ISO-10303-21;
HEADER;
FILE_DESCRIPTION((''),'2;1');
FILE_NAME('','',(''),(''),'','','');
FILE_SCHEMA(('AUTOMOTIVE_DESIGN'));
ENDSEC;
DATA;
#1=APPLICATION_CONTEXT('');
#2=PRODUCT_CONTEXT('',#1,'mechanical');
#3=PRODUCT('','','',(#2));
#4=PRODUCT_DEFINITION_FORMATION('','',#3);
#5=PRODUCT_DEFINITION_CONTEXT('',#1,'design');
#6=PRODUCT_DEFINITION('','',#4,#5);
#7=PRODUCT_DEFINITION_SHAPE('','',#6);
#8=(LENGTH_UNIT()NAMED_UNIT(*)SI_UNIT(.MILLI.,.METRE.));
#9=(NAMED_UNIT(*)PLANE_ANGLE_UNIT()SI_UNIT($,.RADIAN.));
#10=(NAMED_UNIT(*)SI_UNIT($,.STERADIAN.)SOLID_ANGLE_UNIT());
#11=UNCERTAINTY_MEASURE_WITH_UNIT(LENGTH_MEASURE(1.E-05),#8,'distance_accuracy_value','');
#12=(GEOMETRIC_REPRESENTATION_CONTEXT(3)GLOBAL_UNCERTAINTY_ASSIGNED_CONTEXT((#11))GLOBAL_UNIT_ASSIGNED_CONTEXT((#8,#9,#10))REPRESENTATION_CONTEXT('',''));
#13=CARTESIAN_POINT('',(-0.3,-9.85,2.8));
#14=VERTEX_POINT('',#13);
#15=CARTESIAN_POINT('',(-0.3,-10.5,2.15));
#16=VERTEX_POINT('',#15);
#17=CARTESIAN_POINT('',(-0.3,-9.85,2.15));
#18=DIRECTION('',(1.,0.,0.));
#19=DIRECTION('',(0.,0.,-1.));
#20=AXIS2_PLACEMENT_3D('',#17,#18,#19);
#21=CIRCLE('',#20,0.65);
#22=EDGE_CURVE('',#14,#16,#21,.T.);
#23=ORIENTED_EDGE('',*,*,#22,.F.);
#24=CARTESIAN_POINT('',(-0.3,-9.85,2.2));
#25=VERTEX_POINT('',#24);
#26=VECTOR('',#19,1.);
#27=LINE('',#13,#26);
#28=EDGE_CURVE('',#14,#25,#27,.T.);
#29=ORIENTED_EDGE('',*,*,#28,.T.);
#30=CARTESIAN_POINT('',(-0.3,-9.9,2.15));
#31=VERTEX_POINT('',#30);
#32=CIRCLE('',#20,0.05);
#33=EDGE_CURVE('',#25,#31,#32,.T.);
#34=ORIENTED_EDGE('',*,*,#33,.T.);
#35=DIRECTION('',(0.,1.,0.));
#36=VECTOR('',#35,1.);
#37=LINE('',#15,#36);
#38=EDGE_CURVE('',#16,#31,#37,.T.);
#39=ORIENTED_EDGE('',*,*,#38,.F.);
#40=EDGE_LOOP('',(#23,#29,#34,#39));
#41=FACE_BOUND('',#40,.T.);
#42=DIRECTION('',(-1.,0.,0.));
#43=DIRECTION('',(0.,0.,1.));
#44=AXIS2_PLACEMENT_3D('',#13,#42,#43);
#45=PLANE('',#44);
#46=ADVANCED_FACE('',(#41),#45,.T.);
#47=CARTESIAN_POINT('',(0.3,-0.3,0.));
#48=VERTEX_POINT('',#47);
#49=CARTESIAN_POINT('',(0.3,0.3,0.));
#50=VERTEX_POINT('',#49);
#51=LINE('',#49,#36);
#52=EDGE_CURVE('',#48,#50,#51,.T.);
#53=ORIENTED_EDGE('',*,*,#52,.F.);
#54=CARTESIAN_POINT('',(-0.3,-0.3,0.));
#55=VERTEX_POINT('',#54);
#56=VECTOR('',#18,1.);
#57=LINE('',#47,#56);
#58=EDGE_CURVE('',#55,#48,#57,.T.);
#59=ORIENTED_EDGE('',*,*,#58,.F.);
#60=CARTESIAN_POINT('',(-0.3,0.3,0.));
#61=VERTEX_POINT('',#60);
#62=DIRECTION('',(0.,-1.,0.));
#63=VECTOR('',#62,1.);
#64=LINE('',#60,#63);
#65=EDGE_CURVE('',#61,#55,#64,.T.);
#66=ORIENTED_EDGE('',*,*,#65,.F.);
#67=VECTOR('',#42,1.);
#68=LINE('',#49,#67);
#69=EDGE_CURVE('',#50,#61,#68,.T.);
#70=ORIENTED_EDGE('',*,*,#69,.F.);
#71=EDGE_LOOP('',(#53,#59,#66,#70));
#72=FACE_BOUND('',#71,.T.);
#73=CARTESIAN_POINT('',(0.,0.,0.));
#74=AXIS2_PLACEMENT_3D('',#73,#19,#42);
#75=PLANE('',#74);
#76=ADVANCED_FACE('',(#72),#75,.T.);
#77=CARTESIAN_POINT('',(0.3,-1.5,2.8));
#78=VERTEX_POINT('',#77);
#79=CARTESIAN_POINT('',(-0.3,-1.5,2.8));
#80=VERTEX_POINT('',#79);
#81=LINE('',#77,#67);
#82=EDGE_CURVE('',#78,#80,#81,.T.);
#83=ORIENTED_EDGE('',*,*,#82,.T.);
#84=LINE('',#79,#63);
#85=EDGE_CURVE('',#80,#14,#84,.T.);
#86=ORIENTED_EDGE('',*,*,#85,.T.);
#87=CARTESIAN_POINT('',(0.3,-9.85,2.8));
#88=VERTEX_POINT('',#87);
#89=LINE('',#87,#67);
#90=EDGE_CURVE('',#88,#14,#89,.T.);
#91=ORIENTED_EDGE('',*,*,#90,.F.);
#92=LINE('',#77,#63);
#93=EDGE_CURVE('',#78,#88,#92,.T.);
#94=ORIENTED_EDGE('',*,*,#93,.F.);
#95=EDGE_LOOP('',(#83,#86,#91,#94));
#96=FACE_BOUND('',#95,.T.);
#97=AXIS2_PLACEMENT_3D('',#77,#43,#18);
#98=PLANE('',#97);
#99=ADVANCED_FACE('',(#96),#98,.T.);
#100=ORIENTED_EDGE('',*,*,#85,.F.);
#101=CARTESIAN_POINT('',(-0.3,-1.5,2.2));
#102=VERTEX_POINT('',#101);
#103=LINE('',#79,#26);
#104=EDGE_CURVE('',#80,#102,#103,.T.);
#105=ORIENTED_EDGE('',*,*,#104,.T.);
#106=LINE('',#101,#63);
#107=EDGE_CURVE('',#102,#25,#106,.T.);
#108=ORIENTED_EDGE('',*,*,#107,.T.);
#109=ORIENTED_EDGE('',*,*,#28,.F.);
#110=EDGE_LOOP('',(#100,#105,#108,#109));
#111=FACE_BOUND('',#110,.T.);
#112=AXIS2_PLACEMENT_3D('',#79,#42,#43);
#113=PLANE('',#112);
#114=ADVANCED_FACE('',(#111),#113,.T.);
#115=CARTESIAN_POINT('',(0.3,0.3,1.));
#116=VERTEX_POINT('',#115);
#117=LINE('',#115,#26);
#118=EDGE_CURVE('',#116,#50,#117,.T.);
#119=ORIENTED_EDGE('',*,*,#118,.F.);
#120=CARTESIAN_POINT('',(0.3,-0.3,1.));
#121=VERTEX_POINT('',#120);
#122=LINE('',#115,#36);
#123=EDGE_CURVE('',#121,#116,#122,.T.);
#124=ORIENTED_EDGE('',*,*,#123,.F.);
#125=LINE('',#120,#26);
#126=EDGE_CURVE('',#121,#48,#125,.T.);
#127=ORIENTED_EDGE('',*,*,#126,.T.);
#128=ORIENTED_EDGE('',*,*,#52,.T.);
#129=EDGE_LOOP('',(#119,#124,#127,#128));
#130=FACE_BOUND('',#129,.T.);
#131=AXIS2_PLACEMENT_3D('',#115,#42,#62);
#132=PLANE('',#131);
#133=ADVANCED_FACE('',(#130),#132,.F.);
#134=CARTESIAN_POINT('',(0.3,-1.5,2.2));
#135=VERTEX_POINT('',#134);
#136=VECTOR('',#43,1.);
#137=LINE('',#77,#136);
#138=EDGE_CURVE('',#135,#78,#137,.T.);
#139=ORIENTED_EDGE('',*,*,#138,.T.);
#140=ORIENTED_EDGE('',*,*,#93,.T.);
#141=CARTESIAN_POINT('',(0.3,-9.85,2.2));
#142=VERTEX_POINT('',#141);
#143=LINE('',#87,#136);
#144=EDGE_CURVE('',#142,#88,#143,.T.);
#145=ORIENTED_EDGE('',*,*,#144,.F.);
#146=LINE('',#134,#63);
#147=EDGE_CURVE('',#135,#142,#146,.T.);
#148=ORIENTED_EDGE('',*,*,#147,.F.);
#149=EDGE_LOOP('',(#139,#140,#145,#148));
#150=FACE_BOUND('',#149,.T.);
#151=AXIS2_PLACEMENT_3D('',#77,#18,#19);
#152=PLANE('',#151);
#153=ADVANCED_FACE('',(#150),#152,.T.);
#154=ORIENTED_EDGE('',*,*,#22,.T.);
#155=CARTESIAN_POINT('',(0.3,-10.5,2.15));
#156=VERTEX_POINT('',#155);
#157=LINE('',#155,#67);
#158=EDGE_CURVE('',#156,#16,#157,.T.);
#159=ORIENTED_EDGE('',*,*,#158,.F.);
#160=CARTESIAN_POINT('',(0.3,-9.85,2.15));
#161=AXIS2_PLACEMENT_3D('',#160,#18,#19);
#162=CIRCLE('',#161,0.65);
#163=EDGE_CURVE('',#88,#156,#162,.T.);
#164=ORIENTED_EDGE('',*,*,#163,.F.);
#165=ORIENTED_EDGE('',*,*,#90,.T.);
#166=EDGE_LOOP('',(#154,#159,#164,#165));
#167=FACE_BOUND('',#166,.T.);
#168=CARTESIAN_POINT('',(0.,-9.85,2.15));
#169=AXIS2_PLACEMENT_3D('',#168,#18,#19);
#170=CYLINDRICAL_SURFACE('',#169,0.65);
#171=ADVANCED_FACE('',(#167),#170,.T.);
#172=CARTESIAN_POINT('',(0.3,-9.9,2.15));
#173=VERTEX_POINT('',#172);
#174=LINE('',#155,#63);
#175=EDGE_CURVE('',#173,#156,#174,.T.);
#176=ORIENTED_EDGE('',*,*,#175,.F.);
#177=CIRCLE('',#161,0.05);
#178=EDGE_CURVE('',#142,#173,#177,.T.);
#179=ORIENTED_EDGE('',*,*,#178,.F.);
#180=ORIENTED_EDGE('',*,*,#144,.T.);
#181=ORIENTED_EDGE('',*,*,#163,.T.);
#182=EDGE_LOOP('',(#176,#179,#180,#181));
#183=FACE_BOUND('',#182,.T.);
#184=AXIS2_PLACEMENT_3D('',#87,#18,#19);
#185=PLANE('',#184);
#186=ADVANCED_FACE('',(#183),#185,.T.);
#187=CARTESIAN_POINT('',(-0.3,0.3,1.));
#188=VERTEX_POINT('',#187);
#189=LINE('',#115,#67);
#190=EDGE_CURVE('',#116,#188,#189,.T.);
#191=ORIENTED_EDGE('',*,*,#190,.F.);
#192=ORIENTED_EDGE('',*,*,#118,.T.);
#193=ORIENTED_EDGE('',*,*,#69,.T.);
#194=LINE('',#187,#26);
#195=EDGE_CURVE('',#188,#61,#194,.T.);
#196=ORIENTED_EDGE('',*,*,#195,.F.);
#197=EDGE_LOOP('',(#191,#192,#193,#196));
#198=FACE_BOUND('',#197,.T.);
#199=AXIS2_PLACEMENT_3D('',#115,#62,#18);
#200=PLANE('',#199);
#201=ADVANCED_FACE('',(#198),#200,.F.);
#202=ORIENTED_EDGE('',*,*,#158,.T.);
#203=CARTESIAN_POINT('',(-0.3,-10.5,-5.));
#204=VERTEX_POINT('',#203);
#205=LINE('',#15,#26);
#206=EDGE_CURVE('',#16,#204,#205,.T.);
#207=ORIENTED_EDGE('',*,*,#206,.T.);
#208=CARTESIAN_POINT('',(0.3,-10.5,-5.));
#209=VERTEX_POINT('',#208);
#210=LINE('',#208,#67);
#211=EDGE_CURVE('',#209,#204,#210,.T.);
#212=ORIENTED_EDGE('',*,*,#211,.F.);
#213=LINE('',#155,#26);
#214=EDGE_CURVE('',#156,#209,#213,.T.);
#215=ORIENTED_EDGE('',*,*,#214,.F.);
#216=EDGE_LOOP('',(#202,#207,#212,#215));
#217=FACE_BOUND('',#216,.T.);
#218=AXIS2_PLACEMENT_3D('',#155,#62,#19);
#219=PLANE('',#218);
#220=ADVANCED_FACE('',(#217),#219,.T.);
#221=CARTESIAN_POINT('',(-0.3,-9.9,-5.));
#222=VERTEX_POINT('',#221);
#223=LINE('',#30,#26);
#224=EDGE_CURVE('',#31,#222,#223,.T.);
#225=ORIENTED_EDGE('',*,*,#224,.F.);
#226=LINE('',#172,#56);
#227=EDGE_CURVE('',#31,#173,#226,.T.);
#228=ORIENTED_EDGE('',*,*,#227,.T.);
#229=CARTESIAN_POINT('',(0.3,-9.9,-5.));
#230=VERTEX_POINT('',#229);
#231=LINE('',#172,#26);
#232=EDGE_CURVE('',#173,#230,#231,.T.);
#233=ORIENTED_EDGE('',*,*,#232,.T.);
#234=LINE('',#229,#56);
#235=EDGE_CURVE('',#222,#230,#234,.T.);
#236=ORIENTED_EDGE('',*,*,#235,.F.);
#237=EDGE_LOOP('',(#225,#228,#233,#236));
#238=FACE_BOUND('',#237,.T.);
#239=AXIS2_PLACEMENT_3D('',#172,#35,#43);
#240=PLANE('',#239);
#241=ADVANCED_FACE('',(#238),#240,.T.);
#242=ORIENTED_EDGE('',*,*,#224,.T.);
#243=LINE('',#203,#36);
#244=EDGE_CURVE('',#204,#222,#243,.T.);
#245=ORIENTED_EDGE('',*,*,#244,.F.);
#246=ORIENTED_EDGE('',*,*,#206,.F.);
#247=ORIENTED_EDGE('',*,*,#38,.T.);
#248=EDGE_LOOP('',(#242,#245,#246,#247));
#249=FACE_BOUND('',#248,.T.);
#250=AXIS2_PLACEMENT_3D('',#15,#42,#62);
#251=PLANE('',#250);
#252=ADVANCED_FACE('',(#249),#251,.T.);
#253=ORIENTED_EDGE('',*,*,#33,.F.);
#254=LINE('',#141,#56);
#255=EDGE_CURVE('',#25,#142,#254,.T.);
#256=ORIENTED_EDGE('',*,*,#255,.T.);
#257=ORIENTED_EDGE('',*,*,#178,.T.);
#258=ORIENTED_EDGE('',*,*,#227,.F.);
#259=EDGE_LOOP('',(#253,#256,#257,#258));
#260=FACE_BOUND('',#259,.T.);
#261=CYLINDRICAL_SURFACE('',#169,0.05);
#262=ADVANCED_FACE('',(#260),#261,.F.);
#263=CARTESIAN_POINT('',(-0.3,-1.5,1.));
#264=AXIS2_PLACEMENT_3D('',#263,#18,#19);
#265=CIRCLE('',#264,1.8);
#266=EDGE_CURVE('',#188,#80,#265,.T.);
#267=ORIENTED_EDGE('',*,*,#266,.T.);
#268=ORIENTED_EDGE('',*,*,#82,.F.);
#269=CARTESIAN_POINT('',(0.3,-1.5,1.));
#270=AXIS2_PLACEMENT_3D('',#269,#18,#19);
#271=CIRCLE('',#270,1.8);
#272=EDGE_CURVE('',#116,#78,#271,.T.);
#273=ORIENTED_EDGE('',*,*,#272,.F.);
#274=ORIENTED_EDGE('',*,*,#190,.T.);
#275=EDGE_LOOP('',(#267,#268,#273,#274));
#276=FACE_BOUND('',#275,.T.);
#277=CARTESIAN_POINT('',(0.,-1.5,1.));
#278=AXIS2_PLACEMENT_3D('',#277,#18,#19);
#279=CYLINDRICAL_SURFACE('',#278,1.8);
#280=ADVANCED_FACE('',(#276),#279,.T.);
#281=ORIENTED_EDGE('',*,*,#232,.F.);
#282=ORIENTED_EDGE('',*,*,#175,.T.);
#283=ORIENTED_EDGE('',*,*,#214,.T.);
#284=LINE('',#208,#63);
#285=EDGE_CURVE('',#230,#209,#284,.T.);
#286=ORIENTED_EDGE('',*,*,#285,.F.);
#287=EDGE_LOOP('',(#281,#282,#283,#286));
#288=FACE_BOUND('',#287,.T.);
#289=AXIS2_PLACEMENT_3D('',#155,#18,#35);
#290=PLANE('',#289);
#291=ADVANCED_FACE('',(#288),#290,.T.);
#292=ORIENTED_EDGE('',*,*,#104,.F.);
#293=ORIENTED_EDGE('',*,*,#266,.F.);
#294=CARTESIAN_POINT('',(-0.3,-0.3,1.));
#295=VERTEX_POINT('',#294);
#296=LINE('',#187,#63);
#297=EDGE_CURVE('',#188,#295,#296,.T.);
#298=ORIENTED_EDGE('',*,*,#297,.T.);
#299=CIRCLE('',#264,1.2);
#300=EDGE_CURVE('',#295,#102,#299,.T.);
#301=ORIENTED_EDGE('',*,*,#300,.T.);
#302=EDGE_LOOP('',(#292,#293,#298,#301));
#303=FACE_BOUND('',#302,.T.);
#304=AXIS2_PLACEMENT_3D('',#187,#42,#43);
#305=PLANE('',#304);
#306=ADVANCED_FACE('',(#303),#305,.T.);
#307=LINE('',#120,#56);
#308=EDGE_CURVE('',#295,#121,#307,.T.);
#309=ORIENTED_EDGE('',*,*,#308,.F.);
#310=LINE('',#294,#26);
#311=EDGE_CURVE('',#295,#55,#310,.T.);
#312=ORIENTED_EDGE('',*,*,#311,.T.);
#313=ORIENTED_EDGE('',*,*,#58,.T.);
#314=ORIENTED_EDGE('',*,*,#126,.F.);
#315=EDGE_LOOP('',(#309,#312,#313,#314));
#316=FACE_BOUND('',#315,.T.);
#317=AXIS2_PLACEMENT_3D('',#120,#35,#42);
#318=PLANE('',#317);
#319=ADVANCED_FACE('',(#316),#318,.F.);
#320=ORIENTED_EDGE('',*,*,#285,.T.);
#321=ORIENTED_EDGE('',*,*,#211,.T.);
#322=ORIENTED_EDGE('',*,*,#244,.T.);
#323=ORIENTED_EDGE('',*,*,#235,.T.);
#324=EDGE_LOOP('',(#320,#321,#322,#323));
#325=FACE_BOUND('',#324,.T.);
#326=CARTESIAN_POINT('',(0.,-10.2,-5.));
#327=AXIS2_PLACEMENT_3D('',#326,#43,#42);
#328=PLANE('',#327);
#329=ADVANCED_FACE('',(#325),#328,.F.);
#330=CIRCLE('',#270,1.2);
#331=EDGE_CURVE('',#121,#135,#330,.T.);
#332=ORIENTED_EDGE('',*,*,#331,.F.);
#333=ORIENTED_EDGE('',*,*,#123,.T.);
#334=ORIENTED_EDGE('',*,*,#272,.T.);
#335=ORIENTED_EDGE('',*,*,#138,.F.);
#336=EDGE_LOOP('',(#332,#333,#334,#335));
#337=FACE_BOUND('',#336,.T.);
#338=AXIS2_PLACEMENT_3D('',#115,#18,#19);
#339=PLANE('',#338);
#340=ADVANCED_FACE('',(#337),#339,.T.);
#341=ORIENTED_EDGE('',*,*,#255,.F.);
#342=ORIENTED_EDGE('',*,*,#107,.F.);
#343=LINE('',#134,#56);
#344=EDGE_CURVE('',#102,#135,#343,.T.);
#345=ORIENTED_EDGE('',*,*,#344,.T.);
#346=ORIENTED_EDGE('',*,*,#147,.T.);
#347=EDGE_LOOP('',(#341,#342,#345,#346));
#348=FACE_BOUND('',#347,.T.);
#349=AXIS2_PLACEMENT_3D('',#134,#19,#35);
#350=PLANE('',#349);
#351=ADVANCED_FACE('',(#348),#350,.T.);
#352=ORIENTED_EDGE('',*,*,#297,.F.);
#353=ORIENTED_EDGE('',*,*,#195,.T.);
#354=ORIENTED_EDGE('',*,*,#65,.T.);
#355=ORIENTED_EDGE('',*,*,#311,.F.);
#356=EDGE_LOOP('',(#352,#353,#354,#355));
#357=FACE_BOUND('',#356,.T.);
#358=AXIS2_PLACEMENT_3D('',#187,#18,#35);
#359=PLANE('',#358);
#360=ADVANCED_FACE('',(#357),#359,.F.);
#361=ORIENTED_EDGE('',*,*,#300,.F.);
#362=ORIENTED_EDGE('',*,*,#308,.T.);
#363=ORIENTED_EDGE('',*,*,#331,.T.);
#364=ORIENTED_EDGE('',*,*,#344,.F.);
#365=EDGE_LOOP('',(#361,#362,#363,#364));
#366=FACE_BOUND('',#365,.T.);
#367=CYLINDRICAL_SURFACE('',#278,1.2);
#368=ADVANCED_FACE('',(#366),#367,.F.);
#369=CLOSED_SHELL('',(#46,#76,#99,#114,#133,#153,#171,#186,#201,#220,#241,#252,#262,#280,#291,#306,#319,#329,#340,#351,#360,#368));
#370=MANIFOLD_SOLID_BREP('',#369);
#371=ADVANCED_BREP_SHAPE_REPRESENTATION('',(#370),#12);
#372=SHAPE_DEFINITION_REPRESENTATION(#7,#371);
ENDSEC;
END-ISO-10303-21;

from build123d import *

# Parameters (mm, degrees)
SKETCH2_W = 0.6
SKETCH2_H = 0.6


with BuildPart() as part:
    # Sweep1: sweep along a path in Sketch1
    with BuildLine(Plane(origin=(0, 0, 0), x_dir=(0, 0, -1), z_dir=(1, 0, 0))) as sweep1_path:
        Line((5, -10.2), (-2.15, -10.2))
        ThreePointArc((-2.15, -10.2), (-2.397487373, -10.097487373), (-2.5, -9.85))
        Line((-2.5, -9.85), (-2.5, -1.5))
        ThreePointArc((-2.5, -1.5), (-2.060660172, -0.439339828), (-1, 0))
        Line((-1, 0), (0, 0))
    # Sketch2 → Sweep1 (sweep)
    with BuildSketch(Plane.XY):
        Rectangle(SKETCH2_W, SKETCH2_H)
    sweep(path=sweep1_path.line)


solid = part.part
